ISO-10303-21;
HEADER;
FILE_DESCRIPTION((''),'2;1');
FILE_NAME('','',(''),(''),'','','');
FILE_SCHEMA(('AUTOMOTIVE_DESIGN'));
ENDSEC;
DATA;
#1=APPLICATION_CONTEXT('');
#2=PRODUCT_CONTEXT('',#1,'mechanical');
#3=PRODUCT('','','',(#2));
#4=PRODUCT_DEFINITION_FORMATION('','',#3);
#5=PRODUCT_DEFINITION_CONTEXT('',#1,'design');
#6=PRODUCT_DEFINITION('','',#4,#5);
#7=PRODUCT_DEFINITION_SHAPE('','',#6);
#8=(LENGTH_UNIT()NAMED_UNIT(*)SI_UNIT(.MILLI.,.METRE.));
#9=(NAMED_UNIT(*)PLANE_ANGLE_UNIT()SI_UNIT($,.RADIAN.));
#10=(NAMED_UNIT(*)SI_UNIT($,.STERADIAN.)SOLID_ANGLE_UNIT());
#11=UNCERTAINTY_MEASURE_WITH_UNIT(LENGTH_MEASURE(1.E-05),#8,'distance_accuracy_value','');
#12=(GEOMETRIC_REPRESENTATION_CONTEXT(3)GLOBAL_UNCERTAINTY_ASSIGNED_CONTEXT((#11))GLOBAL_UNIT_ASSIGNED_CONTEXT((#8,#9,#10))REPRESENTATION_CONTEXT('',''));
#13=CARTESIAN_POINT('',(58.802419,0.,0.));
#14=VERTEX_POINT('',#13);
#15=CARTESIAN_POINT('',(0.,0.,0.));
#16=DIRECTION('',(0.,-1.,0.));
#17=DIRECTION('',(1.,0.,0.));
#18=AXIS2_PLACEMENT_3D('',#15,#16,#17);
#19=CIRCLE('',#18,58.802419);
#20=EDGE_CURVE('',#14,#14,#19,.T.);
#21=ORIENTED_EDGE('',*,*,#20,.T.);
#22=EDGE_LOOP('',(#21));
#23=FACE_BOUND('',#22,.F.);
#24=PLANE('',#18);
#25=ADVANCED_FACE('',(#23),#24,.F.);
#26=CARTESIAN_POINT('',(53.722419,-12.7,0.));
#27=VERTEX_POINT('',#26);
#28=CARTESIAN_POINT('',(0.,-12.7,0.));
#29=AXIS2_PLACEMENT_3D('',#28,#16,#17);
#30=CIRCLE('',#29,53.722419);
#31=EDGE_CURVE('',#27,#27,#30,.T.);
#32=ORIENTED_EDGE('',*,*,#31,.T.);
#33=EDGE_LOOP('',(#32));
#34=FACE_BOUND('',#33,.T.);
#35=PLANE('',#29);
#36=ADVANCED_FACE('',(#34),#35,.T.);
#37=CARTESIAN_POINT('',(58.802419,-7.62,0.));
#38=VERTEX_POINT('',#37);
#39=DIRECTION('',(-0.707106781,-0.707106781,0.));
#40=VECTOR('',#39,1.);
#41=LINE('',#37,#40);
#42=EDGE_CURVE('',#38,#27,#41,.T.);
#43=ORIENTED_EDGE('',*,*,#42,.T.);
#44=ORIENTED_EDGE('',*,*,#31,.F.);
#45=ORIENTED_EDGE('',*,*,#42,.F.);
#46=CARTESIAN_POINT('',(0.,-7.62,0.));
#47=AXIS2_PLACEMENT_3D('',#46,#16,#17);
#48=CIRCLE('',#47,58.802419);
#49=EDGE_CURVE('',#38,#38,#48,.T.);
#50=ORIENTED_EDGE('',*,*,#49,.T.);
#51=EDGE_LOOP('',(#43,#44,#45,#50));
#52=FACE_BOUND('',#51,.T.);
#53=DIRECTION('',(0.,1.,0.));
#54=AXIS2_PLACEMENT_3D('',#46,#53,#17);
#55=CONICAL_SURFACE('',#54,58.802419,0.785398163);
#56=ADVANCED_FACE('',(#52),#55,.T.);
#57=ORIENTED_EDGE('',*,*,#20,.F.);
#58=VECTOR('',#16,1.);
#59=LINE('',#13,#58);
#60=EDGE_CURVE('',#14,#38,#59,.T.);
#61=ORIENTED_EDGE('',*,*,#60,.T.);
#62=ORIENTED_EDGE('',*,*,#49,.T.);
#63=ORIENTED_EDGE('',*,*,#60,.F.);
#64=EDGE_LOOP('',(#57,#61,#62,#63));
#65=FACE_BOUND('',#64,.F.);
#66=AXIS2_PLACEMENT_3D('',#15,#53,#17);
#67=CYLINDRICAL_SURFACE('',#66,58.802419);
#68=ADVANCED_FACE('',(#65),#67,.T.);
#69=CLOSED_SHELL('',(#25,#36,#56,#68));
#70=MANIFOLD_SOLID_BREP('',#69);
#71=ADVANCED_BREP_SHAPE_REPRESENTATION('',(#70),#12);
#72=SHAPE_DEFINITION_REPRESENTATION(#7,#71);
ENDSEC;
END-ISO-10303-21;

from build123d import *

# Parameters (mm, degrees)
F0_R     = 58.802419
F1_DEPTH = 12.7
F2_SIZE  = 5.08


with BuildPart() as f1:
    # F0 (on Front) → F1 (new body)
    with BuildSketch(Plane.XZ):
        Circle(F0_R)
    extrude(amount=F1_DEPTH)

    # F2
    f2_edges = [f1.edges().sort_by_distance(p)[0] for p in [
        (-58.802419, -12.7, 0),
    ]]
    chamfer(f2_edges, length=F2_SIZE)


solid = f1.part
